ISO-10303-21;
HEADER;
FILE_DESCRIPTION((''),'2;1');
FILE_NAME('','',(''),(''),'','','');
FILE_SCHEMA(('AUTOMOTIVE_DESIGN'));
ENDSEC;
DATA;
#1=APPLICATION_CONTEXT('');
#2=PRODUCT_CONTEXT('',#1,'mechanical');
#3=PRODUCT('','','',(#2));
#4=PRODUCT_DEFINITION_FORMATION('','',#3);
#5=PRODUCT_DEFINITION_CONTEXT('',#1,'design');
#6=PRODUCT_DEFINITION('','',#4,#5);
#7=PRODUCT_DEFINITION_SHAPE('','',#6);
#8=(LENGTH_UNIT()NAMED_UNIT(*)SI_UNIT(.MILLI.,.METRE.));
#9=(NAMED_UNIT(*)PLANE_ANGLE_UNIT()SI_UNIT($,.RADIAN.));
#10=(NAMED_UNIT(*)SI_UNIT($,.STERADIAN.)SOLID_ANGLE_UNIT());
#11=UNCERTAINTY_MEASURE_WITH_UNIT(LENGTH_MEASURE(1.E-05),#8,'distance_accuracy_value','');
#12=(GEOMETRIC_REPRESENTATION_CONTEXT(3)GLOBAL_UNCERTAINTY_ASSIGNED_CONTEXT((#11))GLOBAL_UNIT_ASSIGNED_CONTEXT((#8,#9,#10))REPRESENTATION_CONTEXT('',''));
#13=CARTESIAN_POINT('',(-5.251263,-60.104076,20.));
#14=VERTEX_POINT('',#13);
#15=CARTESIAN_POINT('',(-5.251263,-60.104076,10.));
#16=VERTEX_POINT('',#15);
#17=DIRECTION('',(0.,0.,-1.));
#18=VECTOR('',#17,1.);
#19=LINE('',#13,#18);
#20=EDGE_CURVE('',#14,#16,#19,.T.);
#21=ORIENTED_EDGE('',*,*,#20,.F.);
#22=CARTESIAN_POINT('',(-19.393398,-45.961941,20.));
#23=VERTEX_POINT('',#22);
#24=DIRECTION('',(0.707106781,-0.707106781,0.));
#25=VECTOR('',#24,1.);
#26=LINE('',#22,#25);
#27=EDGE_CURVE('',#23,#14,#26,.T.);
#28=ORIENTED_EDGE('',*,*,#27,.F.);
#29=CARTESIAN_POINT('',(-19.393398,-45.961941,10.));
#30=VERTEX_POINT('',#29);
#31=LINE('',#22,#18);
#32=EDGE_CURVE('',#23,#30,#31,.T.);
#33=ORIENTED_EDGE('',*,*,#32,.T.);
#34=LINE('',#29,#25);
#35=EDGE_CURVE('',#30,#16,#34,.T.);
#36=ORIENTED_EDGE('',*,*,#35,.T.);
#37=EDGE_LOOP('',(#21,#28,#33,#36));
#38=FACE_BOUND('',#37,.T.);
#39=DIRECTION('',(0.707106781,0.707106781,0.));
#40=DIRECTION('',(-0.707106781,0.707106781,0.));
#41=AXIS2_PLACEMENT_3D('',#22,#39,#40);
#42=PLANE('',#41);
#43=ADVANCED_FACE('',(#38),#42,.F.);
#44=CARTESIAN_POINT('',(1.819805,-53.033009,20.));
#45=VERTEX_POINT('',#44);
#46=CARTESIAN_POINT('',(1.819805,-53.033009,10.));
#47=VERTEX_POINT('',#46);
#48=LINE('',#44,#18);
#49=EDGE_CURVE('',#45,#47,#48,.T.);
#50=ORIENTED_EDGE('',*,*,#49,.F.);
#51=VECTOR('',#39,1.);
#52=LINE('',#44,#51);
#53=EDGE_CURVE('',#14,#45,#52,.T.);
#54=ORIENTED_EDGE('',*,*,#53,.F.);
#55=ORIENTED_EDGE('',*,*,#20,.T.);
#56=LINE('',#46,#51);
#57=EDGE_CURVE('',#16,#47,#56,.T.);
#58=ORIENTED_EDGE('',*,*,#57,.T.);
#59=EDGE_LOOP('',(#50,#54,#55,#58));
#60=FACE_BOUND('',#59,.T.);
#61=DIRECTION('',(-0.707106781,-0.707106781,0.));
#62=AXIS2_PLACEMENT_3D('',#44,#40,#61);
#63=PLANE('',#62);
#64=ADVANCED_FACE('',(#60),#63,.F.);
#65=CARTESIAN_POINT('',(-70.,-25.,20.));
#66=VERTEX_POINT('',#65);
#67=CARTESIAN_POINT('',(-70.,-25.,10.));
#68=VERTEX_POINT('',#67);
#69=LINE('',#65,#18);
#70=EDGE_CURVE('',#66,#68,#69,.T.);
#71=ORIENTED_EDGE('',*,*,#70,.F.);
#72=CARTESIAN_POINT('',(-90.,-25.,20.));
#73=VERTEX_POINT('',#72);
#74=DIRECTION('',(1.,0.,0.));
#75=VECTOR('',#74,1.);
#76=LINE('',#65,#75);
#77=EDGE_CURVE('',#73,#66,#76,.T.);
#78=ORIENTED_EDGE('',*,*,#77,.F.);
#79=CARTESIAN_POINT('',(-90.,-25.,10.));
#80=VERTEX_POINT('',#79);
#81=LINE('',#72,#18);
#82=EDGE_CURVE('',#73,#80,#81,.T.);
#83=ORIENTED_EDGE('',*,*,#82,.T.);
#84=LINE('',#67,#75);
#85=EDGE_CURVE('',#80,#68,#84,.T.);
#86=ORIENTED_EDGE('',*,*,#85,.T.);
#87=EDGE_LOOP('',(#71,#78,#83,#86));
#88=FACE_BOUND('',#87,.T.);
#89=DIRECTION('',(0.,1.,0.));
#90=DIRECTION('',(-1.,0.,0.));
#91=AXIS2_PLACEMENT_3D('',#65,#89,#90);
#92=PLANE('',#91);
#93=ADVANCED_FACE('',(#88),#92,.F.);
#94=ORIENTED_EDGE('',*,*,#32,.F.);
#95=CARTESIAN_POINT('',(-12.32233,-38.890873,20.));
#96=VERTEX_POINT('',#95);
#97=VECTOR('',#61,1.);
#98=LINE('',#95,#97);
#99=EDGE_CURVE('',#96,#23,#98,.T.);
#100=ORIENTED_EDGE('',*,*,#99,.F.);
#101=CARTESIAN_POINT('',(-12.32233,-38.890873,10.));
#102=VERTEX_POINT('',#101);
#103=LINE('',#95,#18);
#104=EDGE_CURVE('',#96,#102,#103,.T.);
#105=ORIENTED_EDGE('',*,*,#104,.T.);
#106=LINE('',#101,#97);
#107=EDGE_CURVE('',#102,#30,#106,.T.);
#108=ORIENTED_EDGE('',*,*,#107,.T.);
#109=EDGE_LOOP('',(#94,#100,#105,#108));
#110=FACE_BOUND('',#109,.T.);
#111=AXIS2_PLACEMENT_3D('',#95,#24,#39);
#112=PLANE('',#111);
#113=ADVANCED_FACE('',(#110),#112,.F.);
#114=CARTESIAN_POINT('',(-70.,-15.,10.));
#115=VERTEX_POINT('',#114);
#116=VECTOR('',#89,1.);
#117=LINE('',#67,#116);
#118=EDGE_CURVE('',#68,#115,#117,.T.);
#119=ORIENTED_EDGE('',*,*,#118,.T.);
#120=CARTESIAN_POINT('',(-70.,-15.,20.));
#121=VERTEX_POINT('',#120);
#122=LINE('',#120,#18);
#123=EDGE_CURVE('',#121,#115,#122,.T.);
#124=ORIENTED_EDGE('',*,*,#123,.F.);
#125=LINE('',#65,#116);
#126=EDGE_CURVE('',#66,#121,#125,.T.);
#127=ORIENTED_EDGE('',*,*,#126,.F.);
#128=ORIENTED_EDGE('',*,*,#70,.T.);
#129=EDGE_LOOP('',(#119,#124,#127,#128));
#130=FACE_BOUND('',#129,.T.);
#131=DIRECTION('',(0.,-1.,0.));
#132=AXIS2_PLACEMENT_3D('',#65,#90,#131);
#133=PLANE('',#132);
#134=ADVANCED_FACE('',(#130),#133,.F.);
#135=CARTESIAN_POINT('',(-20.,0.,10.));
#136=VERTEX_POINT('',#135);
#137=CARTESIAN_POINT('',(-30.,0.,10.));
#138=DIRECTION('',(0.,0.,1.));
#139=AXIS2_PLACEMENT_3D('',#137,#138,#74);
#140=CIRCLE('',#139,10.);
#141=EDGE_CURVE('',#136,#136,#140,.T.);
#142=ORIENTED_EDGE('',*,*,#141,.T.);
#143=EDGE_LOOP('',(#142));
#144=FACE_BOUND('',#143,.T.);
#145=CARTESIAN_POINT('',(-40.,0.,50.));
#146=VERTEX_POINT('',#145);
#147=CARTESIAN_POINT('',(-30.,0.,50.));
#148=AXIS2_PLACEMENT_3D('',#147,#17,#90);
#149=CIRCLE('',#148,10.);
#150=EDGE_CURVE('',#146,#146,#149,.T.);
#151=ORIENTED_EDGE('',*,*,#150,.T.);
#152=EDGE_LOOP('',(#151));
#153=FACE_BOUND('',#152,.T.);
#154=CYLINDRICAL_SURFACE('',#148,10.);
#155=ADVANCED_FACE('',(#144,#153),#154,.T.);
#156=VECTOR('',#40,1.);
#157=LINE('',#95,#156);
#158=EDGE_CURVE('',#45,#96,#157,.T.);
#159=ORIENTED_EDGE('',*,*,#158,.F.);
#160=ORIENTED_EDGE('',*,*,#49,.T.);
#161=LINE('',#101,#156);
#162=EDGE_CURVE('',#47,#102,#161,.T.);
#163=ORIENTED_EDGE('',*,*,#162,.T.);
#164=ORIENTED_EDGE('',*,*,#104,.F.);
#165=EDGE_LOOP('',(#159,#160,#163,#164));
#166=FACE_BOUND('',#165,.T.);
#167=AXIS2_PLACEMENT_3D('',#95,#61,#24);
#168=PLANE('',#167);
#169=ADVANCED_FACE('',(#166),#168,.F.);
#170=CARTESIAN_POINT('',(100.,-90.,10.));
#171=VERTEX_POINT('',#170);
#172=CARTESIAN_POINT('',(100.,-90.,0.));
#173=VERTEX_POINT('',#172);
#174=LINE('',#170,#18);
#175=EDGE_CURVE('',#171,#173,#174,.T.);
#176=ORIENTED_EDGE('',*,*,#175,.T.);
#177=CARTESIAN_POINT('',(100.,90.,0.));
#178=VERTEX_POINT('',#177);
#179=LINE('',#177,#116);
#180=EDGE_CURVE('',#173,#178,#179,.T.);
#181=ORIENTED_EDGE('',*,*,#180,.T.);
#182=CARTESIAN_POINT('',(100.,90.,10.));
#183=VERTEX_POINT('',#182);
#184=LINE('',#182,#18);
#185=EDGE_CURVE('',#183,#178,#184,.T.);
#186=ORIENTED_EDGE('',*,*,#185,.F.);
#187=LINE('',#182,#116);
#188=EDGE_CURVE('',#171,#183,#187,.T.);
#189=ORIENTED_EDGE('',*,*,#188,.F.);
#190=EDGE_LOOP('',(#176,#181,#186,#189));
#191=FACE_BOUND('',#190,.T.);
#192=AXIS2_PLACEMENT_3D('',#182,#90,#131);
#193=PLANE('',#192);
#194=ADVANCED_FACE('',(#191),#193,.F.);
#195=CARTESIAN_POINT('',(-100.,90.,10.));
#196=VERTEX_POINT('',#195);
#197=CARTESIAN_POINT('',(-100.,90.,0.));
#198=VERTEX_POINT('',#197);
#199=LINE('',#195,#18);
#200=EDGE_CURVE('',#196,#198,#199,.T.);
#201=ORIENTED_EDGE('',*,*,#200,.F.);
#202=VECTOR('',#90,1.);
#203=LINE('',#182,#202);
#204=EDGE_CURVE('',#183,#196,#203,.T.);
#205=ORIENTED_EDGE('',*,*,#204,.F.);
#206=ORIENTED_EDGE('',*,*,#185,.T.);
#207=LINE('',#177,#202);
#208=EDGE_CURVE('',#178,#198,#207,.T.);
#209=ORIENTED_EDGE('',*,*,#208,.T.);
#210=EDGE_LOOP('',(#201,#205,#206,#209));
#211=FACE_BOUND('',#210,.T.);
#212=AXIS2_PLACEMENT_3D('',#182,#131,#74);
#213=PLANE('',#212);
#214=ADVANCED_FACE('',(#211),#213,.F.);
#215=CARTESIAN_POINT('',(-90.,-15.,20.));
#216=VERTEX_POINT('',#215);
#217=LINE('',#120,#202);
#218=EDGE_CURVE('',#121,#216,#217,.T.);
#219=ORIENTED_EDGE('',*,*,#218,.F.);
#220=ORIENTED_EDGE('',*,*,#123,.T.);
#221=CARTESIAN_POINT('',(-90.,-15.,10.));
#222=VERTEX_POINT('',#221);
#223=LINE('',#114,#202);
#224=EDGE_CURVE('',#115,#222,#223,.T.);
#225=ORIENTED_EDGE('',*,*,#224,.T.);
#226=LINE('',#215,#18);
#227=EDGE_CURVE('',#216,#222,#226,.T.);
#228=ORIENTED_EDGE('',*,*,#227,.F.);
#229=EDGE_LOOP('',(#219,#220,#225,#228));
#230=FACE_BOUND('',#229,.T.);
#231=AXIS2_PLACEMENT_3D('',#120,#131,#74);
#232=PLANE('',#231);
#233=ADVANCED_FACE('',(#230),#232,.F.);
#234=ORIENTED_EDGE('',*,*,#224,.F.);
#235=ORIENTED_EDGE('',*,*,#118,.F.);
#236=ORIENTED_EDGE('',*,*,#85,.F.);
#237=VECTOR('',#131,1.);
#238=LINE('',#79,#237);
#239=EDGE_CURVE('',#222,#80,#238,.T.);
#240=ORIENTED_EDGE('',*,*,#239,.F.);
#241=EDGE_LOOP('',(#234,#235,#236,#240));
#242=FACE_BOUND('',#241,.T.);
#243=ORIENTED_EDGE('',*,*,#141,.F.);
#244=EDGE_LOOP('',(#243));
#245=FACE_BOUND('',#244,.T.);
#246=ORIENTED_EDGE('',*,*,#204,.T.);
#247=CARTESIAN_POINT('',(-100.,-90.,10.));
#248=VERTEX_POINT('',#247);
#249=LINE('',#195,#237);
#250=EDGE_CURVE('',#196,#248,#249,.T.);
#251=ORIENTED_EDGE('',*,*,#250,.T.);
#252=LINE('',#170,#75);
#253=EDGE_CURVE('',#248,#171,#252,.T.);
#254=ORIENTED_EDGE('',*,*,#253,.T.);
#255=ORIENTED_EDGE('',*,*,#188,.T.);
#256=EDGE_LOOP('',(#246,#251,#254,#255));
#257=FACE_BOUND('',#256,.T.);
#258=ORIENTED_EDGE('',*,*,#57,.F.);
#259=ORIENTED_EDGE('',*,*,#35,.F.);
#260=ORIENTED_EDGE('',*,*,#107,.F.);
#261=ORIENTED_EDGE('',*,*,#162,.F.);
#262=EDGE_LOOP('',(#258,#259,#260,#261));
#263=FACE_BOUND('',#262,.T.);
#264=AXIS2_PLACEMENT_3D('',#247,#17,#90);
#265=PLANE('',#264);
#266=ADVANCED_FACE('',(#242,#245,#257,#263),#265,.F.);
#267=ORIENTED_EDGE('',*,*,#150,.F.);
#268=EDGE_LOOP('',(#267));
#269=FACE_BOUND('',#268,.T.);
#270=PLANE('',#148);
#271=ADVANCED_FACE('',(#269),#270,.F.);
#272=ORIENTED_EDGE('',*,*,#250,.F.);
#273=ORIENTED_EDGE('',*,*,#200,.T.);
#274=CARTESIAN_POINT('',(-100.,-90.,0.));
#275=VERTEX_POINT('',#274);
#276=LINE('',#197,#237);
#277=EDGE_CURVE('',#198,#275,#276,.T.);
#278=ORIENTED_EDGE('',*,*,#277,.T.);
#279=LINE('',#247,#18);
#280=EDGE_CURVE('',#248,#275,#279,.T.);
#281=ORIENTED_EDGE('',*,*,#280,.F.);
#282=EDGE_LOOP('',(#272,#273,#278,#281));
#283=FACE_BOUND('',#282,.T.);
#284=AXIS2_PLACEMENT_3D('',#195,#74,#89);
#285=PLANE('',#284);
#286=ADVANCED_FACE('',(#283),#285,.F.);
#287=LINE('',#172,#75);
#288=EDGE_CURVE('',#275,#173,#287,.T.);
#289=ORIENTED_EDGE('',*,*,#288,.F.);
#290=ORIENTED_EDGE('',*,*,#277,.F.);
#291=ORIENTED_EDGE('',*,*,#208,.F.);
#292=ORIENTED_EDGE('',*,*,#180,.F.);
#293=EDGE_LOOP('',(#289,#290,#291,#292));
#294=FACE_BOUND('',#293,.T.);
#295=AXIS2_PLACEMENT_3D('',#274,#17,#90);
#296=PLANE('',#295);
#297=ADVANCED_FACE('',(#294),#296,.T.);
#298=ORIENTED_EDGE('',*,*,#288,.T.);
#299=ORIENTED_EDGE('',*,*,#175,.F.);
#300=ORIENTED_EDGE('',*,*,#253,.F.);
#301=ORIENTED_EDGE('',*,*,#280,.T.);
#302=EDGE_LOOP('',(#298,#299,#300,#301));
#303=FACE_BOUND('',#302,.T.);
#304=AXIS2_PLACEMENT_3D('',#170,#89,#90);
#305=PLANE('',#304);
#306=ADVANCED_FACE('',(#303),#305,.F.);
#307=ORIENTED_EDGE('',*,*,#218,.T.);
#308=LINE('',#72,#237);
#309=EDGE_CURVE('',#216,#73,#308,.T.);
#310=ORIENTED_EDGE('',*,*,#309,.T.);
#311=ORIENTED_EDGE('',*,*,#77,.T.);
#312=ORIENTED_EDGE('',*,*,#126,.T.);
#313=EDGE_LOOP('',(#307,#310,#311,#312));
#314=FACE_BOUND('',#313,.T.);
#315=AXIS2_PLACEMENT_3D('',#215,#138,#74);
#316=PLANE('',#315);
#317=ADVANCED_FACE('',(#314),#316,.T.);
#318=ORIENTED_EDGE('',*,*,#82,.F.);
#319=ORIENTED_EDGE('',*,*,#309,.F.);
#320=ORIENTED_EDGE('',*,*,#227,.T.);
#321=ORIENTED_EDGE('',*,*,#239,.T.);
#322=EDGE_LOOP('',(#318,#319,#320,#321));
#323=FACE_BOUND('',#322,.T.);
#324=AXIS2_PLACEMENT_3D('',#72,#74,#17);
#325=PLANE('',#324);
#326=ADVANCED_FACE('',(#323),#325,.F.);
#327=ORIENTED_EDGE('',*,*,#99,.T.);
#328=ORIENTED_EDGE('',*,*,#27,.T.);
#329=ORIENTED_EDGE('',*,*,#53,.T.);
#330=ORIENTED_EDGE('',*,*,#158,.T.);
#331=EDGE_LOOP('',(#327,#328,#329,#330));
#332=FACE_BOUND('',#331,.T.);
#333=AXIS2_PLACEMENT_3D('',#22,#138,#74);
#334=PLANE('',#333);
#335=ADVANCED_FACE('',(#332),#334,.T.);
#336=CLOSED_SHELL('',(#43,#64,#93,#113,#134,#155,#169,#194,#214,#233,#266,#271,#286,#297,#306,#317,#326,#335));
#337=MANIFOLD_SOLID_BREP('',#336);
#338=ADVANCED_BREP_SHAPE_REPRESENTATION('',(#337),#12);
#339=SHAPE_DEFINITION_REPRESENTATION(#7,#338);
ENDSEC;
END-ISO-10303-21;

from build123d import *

# Parameters (mm, degrees)
ESQUISSE1_W        = 200
ESQUISSE1_H        = 180
ESQUISSE1_R        = 10
BOSS_EXTRU_1_DEPTH = 10
ESQUISSE3_R        = 10
BOSS_EXTRU_2_DEPTH = 50
ESQUISSE4_W        = 20
ESQUISSE4_H        = 10
BOSS_EXTRU_3_DEPTH = 10


with BuildPart() as part:
    # Esquisse1 → Boss.-Extru.1 (new body)
    with BuildSketch(Plane.XY):
        Rectangle(ESQUISSE1_W, ESQUISSE1_H)
        with Locations((-30, 0)):
            Circle(ESQUISSE1_R, mode=Mode.SUBTRACT)
    extrude(amount=BOSS_EXTRU_1_DEPTH)

    # Esquisse3 → Boss.-Extru.2 (add)
    with BuildSketch(Plane(origin=(0, 0, 0), x_dir=(-1, 0, 0), z_dir=(0, 0, -1))):
        with Locations((30, 0)):
            Circle(ESQUISSE3_R)
    extrude(amount=-BOSS_EXTRU_2_DEPTH)

    # Esquisse4 → Boss.-Extru.3 (add)
    with BuildSketch(Plane.XY.offset(10)):
        with Locations((-80, -20)):
            Rectangle(ESQUISSE4_W, ESQUISSE4_H)
        Polygon((-12.32233047, -38.890872965), (1.819805153, -53.033008589), (-5.251262658, -60.104076401), (-19.393398282, -45.961940777), align=None)
    extrude(amount=BOSS_EXTRU_3_DEPTH)


solid = part.part
